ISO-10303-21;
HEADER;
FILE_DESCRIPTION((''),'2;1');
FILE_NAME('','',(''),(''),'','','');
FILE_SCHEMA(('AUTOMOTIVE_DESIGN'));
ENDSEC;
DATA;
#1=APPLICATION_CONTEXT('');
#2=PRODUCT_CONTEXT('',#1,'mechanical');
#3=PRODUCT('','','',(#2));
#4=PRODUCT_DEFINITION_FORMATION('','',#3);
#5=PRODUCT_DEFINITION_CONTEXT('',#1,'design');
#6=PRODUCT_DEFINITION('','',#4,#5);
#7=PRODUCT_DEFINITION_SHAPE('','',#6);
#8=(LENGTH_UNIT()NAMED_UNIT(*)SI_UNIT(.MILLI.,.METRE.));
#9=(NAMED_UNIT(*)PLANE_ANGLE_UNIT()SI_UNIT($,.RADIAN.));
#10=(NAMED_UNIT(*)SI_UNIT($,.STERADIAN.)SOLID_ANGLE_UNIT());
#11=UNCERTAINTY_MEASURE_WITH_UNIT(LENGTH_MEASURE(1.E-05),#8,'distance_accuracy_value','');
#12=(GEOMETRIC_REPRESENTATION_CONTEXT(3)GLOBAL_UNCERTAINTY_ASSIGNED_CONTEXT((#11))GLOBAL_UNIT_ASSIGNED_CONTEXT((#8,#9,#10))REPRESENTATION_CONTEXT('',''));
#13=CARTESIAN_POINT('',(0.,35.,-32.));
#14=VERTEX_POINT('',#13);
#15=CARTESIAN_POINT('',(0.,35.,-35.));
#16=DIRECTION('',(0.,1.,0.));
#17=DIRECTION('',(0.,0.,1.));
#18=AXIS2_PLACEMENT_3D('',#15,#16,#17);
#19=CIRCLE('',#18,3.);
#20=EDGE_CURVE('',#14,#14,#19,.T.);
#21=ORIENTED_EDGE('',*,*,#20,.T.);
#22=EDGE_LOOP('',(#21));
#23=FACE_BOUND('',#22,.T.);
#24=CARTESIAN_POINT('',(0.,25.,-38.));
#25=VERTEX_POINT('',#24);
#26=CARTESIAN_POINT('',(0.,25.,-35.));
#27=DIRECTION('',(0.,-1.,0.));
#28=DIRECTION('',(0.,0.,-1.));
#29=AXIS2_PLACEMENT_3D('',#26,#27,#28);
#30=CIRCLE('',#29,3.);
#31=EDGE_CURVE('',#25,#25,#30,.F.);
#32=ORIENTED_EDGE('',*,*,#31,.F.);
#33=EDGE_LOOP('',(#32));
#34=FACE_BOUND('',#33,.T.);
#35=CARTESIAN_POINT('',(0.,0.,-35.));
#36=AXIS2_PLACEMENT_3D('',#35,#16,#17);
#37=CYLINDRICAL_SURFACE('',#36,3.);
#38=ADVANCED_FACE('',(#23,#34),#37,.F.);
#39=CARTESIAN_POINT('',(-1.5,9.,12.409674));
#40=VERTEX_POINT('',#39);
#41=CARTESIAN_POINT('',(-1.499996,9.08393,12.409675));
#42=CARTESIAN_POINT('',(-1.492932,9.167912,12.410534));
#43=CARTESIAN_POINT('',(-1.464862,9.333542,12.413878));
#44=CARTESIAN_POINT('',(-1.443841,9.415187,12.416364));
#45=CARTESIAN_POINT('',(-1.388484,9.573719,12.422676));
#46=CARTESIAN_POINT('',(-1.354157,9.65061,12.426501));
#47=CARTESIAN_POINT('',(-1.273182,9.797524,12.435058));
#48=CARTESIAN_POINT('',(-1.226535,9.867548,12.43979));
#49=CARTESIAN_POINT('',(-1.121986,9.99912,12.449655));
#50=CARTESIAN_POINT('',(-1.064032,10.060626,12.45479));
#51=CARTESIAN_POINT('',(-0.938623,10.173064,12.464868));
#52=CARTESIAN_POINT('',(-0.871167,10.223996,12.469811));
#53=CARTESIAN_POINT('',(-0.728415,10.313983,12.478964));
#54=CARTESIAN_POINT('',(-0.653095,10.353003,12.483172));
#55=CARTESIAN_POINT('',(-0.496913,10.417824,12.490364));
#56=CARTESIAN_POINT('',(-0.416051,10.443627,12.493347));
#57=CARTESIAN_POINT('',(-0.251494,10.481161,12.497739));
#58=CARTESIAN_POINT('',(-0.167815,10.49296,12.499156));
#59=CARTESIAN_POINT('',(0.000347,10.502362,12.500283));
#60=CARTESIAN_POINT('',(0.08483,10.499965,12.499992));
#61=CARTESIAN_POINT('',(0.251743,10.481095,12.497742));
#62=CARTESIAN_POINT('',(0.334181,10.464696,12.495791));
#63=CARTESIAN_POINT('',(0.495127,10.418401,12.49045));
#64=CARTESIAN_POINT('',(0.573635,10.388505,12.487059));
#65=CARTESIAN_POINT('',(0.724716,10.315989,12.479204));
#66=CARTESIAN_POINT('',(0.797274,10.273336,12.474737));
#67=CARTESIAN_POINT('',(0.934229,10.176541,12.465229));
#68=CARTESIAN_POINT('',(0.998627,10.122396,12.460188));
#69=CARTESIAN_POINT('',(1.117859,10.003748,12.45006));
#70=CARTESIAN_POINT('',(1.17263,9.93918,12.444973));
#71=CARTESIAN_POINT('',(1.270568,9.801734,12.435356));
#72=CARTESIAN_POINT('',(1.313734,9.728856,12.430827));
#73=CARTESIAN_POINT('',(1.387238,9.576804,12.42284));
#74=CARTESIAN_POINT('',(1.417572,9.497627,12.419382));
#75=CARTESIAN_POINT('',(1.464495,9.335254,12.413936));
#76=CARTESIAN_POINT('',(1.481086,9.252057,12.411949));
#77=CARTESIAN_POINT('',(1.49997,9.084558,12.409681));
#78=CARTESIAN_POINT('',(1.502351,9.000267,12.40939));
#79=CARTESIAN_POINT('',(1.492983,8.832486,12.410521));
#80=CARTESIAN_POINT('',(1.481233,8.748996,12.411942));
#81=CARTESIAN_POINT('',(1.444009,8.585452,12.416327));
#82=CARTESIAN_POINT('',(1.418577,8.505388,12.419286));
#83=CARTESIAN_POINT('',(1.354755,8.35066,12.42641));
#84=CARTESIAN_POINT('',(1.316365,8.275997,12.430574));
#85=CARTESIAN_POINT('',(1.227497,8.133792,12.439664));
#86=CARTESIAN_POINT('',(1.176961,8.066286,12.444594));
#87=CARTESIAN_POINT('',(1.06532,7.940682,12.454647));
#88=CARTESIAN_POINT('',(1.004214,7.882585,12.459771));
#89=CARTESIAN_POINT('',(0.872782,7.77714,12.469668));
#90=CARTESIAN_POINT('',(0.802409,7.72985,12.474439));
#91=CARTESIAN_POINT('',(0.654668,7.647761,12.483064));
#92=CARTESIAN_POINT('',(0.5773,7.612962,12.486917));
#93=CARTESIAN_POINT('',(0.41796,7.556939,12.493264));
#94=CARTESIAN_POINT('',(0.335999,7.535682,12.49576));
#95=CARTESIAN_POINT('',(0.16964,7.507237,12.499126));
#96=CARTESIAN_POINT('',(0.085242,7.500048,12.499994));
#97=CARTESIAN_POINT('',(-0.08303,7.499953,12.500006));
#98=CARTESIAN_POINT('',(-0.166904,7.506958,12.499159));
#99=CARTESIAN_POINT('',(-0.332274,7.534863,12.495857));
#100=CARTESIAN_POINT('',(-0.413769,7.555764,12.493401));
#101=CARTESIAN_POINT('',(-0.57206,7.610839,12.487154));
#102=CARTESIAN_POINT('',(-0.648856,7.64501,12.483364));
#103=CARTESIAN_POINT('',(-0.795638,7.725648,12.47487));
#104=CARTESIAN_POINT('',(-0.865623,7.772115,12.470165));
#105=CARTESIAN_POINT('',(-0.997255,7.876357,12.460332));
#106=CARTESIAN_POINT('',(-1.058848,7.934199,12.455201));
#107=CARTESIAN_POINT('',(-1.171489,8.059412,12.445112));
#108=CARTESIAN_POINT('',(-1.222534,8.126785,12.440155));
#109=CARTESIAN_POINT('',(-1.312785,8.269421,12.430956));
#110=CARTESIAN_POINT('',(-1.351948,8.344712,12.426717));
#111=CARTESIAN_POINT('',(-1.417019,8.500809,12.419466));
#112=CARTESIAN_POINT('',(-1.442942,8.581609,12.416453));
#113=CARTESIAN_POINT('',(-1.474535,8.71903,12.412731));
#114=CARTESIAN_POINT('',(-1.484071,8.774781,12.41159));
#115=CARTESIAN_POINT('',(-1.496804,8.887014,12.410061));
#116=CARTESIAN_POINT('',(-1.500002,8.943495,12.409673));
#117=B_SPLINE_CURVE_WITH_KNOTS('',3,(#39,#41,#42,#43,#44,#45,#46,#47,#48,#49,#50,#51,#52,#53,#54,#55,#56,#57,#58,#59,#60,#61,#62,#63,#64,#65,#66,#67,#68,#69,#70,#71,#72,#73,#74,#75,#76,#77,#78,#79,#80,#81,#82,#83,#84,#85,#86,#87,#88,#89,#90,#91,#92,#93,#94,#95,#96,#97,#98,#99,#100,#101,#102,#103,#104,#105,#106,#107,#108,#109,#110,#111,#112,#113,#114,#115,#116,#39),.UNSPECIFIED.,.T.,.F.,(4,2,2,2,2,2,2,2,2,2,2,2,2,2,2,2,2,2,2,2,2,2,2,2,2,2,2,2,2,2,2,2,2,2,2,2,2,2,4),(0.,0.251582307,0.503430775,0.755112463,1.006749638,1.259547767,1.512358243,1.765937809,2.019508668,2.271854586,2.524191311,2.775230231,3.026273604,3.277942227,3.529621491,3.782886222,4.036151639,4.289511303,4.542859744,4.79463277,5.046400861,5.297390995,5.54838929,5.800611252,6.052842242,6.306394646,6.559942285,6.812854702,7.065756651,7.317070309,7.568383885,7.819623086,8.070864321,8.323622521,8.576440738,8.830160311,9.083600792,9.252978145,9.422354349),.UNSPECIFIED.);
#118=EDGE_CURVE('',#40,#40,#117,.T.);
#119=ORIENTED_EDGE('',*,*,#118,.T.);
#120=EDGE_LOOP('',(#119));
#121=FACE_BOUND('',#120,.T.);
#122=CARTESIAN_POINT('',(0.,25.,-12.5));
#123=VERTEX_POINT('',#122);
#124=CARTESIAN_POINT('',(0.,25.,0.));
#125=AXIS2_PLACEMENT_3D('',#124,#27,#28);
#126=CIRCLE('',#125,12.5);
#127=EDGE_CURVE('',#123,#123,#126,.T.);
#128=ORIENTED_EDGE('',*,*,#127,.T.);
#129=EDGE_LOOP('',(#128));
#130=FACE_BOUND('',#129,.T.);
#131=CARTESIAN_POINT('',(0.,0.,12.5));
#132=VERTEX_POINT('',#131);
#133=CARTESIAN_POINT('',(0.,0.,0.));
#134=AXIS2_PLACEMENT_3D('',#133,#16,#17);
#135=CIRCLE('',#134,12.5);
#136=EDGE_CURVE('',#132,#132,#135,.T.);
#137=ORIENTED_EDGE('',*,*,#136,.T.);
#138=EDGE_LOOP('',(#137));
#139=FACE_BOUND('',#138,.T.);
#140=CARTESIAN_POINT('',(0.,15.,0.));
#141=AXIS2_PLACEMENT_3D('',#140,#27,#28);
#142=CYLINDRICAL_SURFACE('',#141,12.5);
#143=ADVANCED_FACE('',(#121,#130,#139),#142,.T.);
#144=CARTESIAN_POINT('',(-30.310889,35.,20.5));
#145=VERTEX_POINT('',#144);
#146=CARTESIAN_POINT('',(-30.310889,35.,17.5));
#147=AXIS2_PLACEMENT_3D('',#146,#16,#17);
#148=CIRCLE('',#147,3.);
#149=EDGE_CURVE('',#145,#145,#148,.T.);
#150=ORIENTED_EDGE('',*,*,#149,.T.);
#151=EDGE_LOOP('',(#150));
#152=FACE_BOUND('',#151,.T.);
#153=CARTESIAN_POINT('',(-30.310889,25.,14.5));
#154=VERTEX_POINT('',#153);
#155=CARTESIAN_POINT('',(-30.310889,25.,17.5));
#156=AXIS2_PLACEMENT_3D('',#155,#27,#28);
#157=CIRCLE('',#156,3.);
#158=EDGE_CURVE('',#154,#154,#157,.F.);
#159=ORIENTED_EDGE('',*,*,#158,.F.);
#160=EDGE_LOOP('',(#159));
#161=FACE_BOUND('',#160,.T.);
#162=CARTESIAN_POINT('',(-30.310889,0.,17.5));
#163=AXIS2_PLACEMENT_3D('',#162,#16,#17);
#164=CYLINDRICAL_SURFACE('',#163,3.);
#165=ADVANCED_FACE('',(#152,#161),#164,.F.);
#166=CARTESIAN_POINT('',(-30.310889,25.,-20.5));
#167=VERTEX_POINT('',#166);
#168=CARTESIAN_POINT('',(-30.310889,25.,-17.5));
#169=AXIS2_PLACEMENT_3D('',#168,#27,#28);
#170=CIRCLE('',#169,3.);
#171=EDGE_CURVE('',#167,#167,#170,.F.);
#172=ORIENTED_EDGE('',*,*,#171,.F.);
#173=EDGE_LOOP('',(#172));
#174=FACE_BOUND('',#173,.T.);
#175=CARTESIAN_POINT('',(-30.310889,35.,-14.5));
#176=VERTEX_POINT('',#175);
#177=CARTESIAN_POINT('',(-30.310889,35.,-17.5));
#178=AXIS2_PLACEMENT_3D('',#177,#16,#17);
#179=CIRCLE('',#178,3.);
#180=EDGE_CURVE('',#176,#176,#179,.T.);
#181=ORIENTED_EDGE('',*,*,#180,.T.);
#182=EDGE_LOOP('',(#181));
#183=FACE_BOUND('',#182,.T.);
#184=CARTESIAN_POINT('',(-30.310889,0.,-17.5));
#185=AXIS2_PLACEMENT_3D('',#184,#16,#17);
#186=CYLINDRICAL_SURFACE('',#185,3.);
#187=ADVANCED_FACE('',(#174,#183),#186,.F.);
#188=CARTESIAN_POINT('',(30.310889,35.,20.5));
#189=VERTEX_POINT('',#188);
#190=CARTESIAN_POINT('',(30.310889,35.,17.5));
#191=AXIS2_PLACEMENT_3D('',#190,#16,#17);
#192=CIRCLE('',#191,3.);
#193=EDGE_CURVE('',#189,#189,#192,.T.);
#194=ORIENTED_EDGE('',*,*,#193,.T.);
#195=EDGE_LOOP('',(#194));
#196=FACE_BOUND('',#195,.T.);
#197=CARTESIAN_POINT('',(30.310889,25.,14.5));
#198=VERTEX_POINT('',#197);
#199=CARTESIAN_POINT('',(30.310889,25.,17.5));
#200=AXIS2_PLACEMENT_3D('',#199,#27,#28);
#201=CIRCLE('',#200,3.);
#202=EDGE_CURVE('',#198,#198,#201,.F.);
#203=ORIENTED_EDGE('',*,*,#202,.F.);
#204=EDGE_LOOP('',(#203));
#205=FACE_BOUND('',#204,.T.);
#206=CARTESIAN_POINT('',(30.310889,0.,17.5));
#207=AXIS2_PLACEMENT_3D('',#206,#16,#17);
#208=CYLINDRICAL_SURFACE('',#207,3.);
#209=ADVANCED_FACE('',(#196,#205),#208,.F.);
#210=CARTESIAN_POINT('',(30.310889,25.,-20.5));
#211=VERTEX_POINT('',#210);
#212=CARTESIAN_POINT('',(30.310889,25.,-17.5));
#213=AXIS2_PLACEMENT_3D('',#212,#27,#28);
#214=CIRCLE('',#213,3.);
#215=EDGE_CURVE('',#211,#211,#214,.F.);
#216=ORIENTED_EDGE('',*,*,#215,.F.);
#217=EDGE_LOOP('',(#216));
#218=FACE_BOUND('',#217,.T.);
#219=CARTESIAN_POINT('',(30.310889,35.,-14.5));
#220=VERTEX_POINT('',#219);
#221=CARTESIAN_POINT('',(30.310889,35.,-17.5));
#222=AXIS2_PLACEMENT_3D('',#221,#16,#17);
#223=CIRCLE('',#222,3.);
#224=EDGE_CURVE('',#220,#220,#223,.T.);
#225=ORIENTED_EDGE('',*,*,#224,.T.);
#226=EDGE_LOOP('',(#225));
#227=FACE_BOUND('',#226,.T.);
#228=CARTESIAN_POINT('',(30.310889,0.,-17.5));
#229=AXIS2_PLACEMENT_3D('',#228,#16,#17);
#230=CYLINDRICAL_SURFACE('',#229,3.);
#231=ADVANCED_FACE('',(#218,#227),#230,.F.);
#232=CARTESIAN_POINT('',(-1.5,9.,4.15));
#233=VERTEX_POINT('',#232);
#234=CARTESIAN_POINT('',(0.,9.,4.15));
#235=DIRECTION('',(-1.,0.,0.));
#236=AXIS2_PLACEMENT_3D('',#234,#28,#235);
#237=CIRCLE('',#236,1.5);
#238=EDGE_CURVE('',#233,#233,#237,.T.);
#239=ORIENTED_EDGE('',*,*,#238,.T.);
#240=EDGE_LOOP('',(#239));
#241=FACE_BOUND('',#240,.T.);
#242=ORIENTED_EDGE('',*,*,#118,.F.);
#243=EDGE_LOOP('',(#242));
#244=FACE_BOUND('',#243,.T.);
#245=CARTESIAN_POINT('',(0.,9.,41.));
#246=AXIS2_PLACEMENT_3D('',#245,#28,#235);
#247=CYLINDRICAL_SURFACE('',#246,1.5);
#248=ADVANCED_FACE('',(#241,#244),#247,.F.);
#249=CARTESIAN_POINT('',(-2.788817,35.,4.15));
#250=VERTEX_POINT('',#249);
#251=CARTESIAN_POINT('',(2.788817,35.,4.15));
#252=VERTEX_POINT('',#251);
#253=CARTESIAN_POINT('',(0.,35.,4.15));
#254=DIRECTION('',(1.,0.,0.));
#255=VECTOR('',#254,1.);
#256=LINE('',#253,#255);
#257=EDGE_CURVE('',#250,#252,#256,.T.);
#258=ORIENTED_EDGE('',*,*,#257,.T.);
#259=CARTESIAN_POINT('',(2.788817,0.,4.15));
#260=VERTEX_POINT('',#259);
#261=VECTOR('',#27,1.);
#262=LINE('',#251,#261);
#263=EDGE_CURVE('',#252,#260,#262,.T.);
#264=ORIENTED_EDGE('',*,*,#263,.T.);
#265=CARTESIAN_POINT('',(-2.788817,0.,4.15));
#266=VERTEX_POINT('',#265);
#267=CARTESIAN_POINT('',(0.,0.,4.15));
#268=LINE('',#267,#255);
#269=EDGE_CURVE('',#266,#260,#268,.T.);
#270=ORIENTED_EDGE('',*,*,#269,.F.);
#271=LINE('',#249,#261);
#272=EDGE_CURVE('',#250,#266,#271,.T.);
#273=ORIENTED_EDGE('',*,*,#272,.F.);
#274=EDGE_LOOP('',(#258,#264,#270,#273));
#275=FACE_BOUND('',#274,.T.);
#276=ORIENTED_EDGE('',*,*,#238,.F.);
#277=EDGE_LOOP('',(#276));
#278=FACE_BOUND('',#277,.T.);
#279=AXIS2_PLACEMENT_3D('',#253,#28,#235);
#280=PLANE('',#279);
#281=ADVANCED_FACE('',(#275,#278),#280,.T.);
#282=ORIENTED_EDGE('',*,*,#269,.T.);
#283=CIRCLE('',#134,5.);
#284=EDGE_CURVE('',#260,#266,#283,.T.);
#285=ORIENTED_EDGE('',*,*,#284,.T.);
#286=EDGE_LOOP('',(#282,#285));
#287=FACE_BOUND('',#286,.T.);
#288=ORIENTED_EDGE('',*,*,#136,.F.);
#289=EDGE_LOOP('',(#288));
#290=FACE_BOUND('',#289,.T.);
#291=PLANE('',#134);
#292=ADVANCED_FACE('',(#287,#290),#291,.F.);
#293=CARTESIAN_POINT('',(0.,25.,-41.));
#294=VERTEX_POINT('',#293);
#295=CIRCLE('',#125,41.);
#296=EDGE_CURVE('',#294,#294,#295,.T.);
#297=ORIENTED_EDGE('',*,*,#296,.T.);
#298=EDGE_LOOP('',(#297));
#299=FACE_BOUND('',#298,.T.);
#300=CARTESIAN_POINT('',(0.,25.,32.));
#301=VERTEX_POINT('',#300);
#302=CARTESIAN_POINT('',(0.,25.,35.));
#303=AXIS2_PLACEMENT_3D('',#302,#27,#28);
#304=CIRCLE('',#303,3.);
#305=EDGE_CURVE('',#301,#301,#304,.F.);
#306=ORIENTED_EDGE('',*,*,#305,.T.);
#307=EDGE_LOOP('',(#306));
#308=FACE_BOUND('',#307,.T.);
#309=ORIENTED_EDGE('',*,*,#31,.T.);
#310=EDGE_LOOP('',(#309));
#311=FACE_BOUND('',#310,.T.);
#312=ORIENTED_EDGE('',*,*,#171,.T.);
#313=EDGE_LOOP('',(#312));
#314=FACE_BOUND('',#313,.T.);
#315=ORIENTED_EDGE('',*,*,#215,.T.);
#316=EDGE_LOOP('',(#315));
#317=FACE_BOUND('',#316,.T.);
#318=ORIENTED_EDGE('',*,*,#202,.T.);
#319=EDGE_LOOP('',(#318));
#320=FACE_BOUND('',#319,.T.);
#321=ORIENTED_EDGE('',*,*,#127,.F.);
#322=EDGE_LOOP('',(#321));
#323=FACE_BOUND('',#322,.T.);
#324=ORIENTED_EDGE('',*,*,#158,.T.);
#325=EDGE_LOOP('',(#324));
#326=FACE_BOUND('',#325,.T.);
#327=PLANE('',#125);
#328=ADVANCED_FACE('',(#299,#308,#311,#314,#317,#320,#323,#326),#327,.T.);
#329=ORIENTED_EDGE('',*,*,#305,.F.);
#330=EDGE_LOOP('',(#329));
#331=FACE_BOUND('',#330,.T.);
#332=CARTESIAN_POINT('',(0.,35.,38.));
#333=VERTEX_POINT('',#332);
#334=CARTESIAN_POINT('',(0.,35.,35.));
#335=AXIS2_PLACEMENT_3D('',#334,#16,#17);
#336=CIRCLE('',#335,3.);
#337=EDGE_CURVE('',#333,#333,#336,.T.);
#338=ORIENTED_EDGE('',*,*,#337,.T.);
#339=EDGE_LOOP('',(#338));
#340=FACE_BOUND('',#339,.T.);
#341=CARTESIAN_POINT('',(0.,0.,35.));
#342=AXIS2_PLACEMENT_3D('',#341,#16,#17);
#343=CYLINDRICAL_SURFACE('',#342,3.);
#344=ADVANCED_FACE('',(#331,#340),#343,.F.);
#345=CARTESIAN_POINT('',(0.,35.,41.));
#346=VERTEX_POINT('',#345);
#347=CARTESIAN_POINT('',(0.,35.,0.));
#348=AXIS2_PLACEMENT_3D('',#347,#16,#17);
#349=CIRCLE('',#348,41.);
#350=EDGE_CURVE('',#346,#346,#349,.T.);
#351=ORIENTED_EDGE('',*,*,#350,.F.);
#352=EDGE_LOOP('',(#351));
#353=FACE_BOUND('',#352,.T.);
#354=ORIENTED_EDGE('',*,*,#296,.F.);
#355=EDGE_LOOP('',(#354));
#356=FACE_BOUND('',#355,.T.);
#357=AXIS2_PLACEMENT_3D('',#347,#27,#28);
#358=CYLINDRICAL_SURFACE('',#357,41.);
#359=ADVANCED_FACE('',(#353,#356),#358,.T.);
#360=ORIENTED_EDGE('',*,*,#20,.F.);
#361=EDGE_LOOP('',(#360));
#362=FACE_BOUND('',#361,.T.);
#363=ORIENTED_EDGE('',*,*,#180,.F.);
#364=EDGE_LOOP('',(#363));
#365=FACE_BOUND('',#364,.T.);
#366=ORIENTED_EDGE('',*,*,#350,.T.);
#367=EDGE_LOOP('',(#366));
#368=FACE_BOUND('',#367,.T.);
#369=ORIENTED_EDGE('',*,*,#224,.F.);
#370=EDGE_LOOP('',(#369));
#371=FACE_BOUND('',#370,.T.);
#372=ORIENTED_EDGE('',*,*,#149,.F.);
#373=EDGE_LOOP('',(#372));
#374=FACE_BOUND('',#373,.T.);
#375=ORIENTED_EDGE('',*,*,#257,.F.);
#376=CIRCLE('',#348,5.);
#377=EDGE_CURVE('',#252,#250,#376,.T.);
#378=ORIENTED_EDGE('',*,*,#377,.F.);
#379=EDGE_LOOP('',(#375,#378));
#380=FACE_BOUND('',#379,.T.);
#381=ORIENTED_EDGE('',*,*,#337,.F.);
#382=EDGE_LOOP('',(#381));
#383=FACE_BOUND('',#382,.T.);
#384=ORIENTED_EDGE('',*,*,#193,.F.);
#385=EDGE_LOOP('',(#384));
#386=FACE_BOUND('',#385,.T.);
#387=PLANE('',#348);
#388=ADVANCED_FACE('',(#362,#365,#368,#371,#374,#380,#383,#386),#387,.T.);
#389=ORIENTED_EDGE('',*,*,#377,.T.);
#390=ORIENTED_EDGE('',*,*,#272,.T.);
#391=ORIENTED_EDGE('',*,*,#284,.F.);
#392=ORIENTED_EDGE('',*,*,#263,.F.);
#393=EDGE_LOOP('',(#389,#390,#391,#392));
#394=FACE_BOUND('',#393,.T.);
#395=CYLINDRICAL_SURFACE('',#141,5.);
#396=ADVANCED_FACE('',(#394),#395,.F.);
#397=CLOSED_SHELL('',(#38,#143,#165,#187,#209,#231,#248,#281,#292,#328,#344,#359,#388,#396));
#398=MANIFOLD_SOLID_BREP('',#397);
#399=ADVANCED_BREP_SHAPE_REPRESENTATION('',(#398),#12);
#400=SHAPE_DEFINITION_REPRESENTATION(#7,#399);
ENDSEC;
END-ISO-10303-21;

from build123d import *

# Parameters (mm, degrees)
SKETCH1_R           = 12.5
SKETCH1_R_2         = 5
BOSS_EXTRUDE1_DEPTH = 15
SKETCH2_R           = 41
SKETCH2_R_2         = 5
BOSS_EXTRUDE2_DEPTH = 20
SKETCH3_R           = 3
CUT_EXTRUDE1_DEPTH  = 36
BOSS_EXTRUDE3_DEPTH = 35
SKETCH5_R           = 1.5
CUT_EXTRUDE2_DEPTH  = 37.85
SKETCH6_R           = 41
SKETCH6_R_2         = 12.5
CUT_EXTRUDE3_DEPTH  = 10


with BuildPart() as part:
    # Sketch1 → Boss-Extrude1 (new body)
    with BuildSketch(Plane(origin=(0, 0, 0), x_dir=(1, 0, 0), z_dir=(0, 1, 0))):
        Circle(SKETCH1_R)
        Circle(SKETCH1_R_2, mode=Mode.SUBTRACT)
    extrude(amount=BOSS_EXTRUDE1_DEPTH)

    # Sketch2 → Boss-Extrude2 (add)
    with BuildSketch(Plane(origin=(0, 15, 0), x_dir=(1, 0, 0), z_dir=(0, 1, 0))):
        Circle(SKETCH2_R)
        Circle(SKETCH2_R_2, mode=Mode.SUBTRACT)
    extrude(amount=BOSS_EXTRUDE2_DEPTH)

    # Sketch3 → Cut-Extrude1 (cut, through all)
    with BuildSketch(Plane(origin=(0, 35, 0), x_dir=(1, 0, 0), z_dir=(0, 1, 0))):
        with Locations((0, 35)):
            Circle(SKETCH3_R)
        with Locations((30.310889132, 17.5)):
            Circle(SKETCH3_R)
        with Locations((30.310889132, -17.5)):
            Circle(SKETCH3_R)
        with Locations((0, -35)):
            Circle(SKETCH3_R)
        with Locations((-30.310889132, -17.5)):
            Circle(SKETCH3_R)
        with Locations((-30.310889132, 17.5)):
            Circle(SKETCH3_R)
    extrude(amount=-CUT_EXTRUDE1_DEPTH, mode=Mode.SUBTRACT)

    # Sketch4 → Boss-Extrude3 (add)
    with BuildSketch(Plane.XZ):
        with BuildLine():
            ThreePointArc((3.067854181, 4.15), (0, 5.160836103), (-3.067854181, 4.15))
            Line((-3.067854181, 4.15), (3.067854181, 4.15))
        make_face()
    extrude(amount=-BOSS_EXTRUDE3_DEPTH)

    # Sketch5 → Cut-Extrude2 (cut, through all)
    with BuildSketch(Plane(origin=(0, 0, 4.15), x_dir=(-1, 0, 0), z_dir=(0, 0, -1))):
        with Locations((0, 9)):
            Circle(SKETCH5_R)
    extrude(amount=-CUT_EXTRUDE2_DEPTH, mode=Mode.SUBTRACT)

    # Sketch6 → Cut-Extrude3 (cut)
    with BuildSketch(Plane.XZ.offset(-15)):
        Circle(SKETCH6_R)
        Circle(SKETCH6_R_2, mode=Mode.SUBTRACT)
    extrude(amount=-CUT_EXTRUDE3_DEPTH, mode=Mode.SUBTRACT)


solid = part.part
